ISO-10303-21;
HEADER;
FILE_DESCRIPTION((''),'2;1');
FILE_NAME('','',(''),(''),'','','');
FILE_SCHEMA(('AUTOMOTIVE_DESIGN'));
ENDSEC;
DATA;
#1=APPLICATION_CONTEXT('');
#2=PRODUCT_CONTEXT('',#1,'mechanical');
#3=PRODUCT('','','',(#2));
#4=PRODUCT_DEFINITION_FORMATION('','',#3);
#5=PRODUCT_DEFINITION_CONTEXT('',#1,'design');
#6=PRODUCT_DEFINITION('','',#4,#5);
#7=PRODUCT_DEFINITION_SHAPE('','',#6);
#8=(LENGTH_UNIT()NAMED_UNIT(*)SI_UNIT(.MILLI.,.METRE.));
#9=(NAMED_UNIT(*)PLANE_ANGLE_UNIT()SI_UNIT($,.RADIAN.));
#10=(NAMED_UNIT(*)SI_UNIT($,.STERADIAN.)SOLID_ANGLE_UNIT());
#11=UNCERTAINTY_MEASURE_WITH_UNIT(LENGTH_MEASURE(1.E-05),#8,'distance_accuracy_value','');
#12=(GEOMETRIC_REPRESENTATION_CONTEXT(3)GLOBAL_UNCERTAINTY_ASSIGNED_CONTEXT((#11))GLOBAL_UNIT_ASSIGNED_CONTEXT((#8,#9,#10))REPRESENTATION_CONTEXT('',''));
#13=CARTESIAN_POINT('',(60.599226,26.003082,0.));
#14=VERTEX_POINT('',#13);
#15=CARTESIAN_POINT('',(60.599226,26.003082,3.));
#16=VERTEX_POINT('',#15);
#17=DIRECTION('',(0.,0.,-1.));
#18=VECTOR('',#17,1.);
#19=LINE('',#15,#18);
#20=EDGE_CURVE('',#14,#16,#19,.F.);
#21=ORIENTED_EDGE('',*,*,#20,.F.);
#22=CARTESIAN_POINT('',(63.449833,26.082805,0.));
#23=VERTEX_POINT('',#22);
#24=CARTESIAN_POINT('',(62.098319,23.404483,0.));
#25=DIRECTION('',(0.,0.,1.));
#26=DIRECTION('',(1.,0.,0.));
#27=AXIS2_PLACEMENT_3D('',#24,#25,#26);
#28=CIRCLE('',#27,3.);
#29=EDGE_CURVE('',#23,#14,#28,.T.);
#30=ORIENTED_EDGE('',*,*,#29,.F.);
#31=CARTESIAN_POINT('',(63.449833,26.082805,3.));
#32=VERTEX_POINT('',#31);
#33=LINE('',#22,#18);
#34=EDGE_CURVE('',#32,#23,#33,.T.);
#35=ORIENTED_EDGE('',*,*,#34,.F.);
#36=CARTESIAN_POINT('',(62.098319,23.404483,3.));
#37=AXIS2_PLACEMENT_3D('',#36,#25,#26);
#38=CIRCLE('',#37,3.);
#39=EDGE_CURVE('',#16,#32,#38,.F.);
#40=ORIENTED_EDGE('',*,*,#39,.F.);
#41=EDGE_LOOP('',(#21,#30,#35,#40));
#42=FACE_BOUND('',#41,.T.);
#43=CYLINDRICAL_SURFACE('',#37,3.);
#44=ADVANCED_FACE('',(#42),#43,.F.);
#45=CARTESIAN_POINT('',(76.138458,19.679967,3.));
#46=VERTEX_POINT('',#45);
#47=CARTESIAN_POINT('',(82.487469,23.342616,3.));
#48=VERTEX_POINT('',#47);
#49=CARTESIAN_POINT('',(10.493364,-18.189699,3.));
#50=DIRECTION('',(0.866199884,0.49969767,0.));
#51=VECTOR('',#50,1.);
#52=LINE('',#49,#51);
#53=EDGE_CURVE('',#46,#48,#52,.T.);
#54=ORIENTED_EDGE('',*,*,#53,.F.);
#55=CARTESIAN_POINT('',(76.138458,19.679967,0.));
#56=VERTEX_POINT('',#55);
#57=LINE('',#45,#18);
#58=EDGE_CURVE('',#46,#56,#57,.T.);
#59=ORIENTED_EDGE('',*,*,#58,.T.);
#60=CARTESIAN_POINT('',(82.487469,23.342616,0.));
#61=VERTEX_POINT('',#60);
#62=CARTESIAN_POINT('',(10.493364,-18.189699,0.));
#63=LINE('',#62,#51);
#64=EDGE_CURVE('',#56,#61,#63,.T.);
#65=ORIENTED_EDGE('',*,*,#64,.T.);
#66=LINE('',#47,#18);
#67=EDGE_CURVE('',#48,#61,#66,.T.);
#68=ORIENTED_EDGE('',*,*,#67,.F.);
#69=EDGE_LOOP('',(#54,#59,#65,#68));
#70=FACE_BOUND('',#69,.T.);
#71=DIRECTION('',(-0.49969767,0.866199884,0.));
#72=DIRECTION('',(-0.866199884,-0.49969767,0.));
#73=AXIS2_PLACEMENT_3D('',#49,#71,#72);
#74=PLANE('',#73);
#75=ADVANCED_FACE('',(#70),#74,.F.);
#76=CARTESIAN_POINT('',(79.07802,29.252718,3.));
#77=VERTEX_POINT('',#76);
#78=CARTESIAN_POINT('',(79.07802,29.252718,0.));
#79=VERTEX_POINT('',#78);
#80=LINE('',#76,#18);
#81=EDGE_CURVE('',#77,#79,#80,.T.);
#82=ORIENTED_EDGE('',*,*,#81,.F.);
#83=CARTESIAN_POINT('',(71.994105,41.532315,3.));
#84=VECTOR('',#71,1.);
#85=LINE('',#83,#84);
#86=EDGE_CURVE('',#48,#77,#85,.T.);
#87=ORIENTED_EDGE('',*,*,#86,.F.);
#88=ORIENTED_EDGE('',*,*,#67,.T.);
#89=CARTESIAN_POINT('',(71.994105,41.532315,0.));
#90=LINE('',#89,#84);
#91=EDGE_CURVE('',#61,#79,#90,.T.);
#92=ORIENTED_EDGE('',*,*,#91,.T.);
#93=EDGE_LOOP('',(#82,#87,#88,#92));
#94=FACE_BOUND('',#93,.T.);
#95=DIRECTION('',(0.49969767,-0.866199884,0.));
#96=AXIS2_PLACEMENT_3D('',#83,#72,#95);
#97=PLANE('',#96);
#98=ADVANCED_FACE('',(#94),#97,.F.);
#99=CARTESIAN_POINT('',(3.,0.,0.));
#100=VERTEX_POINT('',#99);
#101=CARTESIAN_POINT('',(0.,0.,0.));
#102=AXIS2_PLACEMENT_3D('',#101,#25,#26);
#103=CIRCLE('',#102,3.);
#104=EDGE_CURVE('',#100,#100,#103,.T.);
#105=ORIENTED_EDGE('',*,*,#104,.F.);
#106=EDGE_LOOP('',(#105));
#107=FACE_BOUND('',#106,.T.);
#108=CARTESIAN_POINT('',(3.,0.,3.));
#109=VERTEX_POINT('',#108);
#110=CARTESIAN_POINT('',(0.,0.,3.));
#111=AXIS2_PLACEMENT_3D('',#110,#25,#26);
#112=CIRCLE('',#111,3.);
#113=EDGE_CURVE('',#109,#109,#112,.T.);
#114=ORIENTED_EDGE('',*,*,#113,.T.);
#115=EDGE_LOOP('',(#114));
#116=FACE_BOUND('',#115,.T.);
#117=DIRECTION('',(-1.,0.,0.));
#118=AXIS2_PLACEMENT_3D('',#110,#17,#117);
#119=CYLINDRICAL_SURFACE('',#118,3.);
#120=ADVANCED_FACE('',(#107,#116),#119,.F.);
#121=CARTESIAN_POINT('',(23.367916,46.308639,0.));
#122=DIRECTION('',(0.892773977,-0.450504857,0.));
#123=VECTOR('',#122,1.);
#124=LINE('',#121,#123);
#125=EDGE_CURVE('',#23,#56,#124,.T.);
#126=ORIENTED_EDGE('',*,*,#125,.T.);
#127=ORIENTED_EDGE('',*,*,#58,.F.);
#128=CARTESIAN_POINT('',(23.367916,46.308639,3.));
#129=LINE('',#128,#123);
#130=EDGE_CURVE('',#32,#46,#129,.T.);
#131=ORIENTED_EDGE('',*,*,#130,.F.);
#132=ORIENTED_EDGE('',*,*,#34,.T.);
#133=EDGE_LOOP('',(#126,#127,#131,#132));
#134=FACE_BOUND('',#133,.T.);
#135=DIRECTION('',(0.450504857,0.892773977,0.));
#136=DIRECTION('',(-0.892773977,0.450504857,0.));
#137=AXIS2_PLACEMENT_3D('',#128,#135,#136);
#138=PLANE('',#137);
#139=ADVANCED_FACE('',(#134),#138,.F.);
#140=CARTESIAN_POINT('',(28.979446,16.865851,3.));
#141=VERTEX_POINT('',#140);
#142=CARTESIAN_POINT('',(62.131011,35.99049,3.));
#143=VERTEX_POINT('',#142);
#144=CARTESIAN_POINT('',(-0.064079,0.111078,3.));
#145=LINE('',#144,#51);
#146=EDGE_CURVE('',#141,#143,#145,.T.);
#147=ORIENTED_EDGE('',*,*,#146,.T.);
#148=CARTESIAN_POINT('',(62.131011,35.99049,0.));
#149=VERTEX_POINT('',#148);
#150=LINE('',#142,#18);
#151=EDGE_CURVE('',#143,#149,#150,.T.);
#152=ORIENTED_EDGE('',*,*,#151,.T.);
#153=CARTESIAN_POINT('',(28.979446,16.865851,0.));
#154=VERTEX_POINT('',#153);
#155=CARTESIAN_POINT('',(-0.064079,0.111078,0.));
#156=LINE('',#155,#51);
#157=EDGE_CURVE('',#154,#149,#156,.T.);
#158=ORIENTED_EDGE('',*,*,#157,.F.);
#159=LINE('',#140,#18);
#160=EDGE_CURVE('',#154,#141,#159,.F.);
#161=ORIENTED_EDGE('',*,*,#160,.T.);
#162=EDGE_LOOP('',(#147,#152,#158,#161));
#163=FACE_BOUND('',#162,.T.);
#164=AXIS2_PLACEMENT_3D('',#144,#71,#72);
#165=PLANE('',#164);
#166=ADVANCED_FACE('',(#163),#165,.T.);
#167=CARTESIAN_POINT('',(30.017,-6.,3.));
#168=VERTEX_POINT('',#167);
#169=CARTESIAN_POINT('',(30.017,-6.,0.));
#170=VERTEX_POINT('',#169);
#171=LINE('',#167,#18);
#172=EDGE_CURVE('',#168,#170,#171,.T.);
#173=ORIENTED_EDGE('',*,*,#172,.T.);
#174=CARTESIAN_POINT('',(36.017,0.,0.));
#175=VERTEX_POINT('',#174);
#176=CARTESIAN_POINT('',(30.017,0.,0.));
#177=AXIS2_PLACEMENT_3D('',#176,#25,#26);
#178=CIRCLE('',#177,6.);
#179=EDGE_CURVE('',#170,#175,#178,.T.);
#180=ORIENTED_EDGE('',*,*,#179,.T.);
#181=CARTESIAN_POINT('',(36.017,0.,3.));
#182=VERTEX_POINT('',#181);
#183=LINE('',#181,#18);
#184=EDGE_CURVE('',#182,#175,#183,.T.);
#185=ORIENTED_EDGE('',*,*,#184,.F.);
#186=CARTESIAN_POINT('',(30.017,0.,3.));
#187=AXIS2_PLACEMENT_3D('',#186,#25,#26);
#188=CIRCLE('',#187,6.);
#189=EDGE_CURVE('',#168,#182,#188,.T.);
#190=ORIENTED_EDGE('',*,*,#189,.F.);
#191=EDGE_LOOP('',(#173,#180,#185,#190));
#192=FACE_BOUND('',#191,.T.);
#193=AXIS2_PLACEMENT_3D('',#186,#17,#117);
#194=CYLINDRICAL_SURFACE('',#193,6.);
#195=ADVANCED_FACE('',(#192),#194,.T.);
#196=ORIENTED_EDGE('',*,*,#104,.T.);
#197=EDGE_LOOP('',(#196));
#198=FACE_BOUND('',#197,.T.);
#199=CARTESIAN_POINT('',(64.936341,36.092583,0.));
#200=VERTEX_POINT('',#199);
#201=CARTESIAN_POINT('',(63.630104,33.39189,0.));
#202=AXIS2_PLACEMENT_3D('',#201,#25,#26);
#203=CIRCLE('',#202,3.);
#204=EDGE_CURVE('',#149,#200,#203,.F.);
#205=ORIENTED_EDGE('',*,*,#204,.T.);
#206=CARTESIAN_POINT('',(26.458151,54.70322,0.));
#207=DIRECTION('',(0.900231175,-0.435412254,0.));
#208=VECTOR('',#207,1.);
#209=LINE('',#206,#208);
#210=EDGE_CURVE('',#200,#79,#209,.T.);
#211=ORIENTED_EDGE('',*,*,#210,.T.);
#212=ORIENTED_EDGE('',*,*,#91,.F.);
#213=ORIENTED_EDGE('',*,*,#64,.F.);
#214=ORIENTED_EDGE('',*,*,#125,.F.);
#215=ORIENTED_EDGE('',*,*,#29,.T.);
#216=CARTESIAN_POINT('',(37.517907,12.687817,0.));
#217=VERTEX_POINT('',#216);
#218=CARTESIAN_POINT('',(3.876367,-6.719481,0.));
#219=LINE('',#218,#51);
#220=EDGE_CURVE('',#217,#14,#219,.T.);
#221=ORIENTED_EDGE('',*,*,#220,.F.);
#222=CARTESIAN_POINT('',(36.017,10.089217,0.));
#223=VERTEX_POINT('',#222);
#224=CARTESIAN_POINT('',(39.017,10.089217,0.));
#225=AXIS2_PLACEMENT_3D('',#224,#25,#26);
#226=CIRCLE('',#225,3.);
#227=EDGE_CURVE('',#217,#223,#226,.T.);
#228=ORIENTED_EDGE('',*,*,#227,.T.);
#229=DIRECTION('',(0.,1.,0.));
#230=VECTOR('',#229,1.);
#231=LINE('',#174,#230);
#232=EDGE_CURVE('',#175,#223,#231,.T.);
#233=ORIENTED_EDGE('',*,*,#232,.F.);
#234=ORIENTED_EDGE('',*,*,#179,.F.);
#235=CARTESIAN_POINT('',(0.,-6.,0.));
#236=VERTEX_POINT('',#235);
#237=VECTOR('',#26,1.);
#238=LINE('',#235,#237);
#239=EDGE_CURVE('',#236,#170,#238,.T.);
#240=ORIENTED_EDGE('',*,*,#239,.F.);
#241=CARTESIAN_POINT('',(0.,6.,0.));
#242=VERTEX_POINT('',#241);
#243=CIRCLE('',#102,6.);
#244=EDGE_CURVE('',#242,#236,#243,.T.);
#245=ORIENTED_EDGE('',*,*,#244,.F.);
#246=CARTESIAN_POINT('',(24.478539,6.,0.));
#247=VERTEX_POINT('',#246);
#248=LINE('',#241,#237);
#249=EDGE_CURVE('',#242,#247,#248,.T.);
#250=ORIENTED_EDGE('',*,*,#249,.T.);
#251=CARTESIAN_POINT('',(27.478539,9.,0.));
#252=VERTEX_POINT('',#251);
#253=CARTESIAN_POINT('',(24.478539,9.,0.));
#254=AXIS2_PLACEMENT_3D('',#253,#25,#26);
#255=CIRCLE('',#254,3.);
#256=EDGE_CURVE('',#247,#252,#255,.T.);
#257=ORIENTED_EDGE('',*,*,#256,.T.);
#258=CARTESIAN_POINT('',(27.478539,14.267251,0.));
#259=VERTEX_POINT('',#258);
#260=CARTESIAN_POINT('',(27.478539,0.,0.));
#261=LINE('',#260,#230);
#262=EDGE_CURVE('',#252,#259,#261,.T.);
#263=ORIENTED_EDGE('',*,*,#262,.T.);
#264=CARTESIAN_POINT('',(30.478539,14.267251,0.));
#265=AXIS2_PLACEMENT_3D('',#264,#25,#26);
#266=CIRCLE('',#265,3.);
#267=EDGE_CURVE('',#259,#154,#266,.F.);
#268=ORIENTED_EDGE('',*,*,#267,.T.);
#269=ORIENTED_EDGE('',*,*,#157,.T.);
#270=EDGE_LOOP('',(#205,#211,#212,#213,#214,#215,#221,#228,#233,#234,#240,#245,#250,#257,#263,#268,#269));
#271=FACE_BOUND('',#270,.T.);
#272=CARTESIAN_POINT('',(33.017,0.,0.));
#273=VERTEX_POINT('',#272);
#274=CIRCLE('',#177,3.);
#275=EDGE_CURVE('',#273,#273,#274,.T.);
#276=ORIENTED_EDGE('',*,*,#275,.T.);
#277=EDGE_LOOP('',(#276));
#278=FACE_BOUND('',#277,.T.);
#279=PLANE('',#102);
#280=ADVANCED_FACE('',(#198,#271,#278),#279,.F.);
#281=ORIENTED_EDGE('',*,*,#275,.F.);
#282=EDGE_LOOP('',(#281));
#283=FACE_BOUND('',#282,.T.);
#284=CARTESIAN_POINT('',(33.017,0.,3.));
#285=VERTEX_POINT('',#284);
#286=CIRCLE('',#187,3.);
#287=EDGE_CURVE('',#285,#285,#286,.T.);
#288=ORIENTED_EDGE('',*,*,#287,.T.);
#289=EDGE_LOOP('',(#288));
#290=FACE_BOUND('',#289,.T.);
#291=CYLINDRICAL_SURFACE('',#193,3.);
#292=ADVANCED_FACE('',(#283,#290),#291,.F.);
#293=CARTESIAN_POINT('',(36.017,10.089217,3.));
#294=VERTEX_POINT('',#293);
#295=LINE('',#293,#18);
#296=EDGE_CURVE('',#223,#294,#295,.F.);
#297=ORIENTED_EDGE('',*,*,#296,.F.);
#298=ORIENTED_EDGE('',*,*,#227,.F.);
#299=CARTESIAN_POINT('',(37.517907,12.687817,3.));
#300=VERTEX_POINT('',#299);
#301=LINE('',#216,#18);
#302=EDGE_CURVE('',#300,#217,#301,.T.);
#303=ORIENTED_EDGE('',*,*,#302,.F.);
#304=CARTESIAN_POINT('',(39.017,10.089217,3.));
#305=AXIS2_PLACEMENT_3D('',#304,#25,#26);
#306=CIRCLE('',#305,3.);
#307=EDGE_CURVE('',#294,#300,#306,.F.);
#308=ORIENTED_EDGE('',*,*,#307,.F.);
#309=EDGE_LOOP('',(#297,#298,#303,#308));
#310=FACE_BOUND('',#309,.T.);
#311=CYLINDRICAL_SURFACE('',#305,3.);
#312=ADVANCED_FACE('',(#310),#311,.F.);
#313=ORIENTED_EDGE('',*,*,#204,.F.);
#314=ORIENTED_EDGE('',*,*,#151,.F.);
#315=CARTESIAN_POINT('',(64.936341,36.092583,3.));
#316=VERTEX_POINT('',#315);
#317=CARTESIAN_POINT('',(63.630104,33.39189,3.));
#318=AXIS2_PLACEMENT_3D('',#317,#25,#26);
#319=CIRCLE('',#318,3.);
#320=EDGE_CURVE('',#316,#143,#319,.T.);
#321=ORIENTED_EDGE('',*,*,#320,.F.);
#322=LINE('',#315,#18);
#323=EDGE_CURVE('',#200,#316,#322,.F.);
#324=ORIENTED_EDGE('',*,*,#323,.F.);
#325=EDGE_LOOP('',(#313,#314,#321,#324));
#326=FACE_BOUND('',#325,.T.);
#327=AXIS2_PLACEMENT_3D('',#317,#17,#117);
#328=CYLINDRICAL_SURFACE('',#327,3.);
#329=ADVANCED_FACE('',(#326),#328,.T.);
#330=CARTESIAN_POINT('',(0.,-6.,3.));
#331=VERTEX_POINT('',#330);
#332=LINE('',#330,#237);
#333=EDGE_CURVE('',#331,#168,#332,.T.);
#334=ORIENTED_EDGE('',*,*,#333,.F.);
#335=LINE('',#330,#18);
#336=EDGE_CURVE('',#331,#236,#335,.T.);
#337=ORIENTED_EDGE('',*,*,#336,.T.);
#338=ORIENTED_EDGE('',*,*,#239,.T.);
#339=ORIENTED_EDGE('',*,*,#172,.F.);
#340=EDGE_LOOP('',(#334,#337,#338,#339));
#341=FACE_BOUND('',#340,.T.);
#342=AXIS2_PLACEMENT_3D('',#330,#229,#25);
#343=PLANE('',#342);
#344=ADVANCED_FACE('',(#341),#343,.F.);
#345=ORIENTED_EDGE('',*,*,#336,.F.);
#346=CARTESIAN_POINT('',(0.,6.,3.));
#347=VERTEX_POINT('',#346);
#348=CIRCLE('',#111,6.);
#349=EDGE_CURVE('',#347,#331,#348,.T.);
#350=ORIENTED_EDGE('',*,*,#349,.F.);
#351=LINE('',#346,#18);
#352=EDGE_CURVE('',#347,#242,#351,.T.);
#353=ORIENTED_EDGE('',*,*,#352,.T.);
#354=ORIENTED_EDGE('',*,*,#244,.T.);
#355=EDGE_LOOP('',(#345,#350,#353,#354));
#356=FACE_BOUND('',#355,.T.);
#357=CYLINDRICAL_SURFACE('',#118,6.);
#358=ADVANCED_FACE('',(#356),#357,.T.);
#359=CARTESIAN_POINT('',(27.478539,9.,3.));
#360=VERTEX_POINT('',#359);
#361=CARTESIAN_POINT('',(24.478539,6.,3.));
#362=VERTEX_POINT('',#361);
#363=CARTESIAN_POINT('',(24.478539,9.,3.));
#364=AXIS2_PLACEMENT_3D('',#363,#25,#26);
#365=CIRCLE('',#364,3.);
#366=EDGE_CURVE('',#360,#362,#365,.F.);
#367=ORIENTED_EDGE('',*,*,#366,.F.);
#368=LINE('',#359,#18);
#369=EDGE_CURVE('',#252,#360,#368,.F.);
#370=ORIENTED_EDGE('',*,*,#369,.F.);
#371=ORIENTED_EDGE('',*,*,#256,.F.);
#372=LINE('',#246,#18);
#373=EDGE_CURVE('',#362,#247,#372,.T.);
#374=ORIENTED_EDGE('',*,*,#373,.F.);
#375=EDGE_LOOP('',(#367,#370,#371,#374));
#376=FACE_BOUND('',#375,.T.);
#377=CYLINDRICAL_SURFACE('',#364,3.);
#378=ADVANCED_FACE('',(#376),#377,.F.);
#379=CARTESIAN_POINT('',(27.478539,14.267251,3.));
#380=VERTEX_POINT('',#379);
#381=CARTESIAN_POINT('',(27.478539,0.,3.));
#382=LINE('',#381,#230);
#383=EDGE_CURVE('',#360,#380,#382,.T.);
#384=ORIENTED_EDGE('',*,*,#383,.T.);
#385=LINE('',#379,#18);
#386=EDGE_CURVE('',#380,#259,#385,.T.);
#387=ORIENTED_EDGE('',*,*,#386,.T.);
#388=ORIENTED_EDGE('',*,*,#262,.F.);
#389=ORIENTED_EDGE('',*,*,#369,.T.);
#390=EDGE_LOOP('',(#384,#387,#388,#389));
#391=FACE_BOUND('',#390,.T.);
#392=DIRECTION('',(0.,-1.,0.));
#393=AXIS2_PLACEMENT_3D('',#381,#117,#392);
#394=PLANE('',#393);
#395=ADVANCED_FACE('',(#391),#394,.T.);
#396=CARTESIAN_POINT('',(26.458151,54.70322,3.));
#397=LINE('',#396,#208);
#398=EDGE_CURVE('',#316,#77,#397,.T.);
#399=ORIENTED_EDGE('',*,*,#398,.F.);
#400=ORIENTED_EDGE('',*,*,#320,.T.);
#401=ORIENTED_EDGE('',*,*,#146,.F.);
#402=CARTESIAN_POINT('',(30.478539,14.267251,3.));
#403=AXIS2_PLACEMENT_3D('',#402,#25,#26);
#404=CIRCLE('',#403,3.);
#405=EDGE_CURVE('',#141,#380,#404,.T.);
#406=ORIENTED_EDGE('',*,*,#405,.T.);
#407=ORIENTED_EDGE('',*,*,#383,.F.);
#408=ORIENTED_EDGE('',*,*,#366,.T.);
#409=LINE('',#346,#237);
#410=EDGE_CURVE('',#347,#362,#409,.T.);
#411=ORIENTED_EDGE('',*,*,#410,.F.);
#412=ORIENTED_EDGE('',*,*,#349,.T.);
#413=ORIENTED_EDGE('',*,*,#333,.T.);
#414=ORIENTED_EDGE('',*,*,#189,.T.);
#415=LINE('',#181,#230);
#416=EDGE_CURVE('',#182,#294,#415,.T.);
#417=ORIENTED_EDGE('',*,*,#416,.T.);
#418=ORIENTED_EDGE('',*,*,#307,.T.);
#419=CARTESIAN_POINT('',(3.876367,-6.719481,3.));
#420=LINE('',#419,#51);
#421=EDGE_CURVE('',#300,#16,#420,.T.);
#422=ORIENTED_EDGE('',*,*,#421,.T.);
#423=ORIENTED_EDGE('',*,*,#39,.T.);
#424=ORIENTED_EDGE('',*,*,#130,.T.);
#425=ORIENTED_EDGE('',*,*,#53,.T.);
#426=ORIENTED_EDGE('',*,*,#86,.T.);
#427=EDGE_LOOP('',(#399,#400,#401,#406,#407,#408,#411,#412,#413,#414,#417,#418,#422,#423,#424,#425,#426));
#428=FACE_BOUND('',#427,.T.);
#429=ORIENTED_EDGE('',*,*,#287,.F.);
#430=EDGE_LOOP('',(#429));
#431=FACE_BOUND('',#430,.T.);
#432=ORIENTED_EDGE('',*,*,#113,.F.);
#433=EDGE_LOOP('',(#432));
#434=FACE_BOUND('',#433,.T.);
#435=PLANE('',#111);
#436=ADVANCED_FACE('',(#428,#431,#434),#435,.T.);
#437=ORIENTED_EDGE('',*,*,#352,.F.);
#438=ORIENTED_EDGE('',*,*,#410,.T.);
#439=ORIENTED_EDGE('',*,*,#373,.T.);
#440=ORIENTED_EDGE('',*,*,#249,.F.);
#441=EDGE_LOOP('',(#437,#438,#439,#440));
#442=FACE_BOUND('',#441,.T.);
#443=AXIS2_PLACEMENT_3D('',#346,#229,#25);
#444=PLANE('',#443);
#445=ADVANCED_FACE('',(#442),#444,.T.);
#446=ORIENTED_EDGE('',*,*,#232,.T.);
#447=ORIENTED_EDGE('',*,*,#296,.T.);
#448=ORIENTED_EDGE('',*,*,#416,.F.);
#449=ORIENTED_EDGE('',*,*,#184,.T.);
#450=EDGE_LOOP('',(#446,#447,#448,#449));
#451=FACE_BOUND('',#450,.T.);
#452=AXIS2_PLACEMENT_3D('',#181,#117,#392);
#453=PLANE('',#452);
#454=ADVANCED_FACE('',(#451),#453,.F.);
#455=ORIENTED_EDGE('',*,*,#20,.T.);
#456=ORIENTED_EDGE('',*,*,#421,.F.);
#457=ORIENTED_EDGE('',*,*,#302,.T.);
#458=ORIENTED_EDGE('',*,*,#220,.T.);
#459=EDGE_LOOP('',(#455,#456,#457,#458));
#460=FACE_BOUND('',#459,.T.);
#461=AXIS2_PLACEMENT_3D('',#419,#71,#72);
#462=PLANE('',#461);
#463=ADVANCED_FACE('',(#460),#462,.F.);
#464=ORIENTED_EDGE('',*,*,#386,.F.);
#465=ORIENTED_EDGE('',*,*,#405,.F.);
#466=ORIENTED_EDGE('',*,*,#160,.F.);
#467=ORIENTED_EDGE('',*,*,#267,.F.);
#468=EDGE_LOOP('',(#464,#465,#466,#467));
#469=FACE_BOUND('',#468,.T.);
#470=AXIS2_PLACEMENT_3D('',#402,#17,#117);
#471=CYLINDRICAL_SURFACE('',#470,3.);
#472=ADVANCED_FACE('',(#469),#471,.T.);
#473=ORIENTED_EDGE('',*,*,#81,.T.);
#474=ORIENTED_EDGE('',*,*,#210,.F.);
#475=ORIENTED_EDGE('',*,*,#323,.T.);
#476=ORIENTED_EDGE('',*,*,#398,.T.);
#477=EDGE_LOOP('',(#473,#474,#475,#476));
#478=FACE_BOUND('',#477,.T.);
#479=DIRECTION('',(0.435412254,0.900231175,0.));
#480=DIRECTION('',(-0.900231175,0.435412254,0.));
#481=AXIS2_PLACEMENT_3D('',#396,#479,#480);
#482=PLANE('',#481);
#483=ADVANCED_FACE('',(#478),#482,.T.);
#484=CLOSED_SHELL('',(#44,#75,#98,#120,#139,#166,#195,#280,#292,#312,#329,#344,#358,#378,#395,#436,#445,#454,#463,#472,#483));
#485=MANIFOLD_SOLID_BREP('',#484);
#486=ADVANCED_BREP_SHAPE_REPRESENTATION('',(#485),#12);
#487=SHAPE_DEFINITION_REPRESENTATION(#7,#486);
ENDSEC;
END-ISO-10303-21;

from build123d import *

# Parameters (mm, degrees)
SKETCH1_R           = 3
BOSS_EXTRUDE1_DEPTH = 3
FILLET1_R           = 3
FILLET2_R           = 3
FILLET3_R           = 3


with BuildPart() as part:
    # Sketch1 → Boss-Extrude1 (new body)
    with BuildSketch(Plane.XY):
        with BuildLine():
            Line((27.478538516, 6), (0, 6))
            ThreePointArc((0, 6), (-6, 0), (0, -6))
            Line((0, -6), (30.017, -6))
            ThreePointArc((30.017, -6), (34.259640687, -4.242640687), (36.017, 0))
            Line((36.017, 0), (36.017, 11.821966509))
            Line((36.017, 11.821966509), (62.002996518, 26.812896598))
            Line((62.002996518, 26.812896598), (76.138457922, 19.6799669))
            Line((76.138457922, 19.6799669), (82.48746868, 23.342615602))
            Line((82.48746868, 23.342615602), (79.078019732, 29.252717774))
            Line((79.078019732, 29.252717774), (63.506652751, 36.784076585))
            Line((63.506652751, 36.784076585), (27.478538516, 16))
            Line((27.478538516, 16), (27.478538516, 6))
        make_face()
        Circle(SKETCH1_R, mode=Mode.SUBTRACT)
        with Locations((30.017, 0)):
            Circle(SKETCH1_R, mode=Mode.SUBTRACT)
    extrude(amount=BOSS_EXTRUDE1_DEPTH)

    # Fillet1
    fillet1_edges = [part.edges().sort_by_distance(p)[0] for p in [
        (27.478538516, 16, 1.5),
    ]]
    fillet(fillet1_edges, radius=FILLET1_R)

    # Fillet2
    fillet2_edges = [part.edges().sort_by_distance(p)[0] for p in [
        (27.478538516, 6, 1.5),
    ]]
    fillet(fillet2_edges, radius=FILLET2_R)

    # Fillet3
    fillet3_edges = [part.edges().sort_by_distance(p)[0] for p in [
        (63.506652751, 36.784076585, 1.5),
        (62.002996518, 26.812896598, 1.5),
        (36.017, 11.821966509, 1.5),
    ]]
    fillet(fillet3_edges, radius=FILLET3_R)


solid = part.part
